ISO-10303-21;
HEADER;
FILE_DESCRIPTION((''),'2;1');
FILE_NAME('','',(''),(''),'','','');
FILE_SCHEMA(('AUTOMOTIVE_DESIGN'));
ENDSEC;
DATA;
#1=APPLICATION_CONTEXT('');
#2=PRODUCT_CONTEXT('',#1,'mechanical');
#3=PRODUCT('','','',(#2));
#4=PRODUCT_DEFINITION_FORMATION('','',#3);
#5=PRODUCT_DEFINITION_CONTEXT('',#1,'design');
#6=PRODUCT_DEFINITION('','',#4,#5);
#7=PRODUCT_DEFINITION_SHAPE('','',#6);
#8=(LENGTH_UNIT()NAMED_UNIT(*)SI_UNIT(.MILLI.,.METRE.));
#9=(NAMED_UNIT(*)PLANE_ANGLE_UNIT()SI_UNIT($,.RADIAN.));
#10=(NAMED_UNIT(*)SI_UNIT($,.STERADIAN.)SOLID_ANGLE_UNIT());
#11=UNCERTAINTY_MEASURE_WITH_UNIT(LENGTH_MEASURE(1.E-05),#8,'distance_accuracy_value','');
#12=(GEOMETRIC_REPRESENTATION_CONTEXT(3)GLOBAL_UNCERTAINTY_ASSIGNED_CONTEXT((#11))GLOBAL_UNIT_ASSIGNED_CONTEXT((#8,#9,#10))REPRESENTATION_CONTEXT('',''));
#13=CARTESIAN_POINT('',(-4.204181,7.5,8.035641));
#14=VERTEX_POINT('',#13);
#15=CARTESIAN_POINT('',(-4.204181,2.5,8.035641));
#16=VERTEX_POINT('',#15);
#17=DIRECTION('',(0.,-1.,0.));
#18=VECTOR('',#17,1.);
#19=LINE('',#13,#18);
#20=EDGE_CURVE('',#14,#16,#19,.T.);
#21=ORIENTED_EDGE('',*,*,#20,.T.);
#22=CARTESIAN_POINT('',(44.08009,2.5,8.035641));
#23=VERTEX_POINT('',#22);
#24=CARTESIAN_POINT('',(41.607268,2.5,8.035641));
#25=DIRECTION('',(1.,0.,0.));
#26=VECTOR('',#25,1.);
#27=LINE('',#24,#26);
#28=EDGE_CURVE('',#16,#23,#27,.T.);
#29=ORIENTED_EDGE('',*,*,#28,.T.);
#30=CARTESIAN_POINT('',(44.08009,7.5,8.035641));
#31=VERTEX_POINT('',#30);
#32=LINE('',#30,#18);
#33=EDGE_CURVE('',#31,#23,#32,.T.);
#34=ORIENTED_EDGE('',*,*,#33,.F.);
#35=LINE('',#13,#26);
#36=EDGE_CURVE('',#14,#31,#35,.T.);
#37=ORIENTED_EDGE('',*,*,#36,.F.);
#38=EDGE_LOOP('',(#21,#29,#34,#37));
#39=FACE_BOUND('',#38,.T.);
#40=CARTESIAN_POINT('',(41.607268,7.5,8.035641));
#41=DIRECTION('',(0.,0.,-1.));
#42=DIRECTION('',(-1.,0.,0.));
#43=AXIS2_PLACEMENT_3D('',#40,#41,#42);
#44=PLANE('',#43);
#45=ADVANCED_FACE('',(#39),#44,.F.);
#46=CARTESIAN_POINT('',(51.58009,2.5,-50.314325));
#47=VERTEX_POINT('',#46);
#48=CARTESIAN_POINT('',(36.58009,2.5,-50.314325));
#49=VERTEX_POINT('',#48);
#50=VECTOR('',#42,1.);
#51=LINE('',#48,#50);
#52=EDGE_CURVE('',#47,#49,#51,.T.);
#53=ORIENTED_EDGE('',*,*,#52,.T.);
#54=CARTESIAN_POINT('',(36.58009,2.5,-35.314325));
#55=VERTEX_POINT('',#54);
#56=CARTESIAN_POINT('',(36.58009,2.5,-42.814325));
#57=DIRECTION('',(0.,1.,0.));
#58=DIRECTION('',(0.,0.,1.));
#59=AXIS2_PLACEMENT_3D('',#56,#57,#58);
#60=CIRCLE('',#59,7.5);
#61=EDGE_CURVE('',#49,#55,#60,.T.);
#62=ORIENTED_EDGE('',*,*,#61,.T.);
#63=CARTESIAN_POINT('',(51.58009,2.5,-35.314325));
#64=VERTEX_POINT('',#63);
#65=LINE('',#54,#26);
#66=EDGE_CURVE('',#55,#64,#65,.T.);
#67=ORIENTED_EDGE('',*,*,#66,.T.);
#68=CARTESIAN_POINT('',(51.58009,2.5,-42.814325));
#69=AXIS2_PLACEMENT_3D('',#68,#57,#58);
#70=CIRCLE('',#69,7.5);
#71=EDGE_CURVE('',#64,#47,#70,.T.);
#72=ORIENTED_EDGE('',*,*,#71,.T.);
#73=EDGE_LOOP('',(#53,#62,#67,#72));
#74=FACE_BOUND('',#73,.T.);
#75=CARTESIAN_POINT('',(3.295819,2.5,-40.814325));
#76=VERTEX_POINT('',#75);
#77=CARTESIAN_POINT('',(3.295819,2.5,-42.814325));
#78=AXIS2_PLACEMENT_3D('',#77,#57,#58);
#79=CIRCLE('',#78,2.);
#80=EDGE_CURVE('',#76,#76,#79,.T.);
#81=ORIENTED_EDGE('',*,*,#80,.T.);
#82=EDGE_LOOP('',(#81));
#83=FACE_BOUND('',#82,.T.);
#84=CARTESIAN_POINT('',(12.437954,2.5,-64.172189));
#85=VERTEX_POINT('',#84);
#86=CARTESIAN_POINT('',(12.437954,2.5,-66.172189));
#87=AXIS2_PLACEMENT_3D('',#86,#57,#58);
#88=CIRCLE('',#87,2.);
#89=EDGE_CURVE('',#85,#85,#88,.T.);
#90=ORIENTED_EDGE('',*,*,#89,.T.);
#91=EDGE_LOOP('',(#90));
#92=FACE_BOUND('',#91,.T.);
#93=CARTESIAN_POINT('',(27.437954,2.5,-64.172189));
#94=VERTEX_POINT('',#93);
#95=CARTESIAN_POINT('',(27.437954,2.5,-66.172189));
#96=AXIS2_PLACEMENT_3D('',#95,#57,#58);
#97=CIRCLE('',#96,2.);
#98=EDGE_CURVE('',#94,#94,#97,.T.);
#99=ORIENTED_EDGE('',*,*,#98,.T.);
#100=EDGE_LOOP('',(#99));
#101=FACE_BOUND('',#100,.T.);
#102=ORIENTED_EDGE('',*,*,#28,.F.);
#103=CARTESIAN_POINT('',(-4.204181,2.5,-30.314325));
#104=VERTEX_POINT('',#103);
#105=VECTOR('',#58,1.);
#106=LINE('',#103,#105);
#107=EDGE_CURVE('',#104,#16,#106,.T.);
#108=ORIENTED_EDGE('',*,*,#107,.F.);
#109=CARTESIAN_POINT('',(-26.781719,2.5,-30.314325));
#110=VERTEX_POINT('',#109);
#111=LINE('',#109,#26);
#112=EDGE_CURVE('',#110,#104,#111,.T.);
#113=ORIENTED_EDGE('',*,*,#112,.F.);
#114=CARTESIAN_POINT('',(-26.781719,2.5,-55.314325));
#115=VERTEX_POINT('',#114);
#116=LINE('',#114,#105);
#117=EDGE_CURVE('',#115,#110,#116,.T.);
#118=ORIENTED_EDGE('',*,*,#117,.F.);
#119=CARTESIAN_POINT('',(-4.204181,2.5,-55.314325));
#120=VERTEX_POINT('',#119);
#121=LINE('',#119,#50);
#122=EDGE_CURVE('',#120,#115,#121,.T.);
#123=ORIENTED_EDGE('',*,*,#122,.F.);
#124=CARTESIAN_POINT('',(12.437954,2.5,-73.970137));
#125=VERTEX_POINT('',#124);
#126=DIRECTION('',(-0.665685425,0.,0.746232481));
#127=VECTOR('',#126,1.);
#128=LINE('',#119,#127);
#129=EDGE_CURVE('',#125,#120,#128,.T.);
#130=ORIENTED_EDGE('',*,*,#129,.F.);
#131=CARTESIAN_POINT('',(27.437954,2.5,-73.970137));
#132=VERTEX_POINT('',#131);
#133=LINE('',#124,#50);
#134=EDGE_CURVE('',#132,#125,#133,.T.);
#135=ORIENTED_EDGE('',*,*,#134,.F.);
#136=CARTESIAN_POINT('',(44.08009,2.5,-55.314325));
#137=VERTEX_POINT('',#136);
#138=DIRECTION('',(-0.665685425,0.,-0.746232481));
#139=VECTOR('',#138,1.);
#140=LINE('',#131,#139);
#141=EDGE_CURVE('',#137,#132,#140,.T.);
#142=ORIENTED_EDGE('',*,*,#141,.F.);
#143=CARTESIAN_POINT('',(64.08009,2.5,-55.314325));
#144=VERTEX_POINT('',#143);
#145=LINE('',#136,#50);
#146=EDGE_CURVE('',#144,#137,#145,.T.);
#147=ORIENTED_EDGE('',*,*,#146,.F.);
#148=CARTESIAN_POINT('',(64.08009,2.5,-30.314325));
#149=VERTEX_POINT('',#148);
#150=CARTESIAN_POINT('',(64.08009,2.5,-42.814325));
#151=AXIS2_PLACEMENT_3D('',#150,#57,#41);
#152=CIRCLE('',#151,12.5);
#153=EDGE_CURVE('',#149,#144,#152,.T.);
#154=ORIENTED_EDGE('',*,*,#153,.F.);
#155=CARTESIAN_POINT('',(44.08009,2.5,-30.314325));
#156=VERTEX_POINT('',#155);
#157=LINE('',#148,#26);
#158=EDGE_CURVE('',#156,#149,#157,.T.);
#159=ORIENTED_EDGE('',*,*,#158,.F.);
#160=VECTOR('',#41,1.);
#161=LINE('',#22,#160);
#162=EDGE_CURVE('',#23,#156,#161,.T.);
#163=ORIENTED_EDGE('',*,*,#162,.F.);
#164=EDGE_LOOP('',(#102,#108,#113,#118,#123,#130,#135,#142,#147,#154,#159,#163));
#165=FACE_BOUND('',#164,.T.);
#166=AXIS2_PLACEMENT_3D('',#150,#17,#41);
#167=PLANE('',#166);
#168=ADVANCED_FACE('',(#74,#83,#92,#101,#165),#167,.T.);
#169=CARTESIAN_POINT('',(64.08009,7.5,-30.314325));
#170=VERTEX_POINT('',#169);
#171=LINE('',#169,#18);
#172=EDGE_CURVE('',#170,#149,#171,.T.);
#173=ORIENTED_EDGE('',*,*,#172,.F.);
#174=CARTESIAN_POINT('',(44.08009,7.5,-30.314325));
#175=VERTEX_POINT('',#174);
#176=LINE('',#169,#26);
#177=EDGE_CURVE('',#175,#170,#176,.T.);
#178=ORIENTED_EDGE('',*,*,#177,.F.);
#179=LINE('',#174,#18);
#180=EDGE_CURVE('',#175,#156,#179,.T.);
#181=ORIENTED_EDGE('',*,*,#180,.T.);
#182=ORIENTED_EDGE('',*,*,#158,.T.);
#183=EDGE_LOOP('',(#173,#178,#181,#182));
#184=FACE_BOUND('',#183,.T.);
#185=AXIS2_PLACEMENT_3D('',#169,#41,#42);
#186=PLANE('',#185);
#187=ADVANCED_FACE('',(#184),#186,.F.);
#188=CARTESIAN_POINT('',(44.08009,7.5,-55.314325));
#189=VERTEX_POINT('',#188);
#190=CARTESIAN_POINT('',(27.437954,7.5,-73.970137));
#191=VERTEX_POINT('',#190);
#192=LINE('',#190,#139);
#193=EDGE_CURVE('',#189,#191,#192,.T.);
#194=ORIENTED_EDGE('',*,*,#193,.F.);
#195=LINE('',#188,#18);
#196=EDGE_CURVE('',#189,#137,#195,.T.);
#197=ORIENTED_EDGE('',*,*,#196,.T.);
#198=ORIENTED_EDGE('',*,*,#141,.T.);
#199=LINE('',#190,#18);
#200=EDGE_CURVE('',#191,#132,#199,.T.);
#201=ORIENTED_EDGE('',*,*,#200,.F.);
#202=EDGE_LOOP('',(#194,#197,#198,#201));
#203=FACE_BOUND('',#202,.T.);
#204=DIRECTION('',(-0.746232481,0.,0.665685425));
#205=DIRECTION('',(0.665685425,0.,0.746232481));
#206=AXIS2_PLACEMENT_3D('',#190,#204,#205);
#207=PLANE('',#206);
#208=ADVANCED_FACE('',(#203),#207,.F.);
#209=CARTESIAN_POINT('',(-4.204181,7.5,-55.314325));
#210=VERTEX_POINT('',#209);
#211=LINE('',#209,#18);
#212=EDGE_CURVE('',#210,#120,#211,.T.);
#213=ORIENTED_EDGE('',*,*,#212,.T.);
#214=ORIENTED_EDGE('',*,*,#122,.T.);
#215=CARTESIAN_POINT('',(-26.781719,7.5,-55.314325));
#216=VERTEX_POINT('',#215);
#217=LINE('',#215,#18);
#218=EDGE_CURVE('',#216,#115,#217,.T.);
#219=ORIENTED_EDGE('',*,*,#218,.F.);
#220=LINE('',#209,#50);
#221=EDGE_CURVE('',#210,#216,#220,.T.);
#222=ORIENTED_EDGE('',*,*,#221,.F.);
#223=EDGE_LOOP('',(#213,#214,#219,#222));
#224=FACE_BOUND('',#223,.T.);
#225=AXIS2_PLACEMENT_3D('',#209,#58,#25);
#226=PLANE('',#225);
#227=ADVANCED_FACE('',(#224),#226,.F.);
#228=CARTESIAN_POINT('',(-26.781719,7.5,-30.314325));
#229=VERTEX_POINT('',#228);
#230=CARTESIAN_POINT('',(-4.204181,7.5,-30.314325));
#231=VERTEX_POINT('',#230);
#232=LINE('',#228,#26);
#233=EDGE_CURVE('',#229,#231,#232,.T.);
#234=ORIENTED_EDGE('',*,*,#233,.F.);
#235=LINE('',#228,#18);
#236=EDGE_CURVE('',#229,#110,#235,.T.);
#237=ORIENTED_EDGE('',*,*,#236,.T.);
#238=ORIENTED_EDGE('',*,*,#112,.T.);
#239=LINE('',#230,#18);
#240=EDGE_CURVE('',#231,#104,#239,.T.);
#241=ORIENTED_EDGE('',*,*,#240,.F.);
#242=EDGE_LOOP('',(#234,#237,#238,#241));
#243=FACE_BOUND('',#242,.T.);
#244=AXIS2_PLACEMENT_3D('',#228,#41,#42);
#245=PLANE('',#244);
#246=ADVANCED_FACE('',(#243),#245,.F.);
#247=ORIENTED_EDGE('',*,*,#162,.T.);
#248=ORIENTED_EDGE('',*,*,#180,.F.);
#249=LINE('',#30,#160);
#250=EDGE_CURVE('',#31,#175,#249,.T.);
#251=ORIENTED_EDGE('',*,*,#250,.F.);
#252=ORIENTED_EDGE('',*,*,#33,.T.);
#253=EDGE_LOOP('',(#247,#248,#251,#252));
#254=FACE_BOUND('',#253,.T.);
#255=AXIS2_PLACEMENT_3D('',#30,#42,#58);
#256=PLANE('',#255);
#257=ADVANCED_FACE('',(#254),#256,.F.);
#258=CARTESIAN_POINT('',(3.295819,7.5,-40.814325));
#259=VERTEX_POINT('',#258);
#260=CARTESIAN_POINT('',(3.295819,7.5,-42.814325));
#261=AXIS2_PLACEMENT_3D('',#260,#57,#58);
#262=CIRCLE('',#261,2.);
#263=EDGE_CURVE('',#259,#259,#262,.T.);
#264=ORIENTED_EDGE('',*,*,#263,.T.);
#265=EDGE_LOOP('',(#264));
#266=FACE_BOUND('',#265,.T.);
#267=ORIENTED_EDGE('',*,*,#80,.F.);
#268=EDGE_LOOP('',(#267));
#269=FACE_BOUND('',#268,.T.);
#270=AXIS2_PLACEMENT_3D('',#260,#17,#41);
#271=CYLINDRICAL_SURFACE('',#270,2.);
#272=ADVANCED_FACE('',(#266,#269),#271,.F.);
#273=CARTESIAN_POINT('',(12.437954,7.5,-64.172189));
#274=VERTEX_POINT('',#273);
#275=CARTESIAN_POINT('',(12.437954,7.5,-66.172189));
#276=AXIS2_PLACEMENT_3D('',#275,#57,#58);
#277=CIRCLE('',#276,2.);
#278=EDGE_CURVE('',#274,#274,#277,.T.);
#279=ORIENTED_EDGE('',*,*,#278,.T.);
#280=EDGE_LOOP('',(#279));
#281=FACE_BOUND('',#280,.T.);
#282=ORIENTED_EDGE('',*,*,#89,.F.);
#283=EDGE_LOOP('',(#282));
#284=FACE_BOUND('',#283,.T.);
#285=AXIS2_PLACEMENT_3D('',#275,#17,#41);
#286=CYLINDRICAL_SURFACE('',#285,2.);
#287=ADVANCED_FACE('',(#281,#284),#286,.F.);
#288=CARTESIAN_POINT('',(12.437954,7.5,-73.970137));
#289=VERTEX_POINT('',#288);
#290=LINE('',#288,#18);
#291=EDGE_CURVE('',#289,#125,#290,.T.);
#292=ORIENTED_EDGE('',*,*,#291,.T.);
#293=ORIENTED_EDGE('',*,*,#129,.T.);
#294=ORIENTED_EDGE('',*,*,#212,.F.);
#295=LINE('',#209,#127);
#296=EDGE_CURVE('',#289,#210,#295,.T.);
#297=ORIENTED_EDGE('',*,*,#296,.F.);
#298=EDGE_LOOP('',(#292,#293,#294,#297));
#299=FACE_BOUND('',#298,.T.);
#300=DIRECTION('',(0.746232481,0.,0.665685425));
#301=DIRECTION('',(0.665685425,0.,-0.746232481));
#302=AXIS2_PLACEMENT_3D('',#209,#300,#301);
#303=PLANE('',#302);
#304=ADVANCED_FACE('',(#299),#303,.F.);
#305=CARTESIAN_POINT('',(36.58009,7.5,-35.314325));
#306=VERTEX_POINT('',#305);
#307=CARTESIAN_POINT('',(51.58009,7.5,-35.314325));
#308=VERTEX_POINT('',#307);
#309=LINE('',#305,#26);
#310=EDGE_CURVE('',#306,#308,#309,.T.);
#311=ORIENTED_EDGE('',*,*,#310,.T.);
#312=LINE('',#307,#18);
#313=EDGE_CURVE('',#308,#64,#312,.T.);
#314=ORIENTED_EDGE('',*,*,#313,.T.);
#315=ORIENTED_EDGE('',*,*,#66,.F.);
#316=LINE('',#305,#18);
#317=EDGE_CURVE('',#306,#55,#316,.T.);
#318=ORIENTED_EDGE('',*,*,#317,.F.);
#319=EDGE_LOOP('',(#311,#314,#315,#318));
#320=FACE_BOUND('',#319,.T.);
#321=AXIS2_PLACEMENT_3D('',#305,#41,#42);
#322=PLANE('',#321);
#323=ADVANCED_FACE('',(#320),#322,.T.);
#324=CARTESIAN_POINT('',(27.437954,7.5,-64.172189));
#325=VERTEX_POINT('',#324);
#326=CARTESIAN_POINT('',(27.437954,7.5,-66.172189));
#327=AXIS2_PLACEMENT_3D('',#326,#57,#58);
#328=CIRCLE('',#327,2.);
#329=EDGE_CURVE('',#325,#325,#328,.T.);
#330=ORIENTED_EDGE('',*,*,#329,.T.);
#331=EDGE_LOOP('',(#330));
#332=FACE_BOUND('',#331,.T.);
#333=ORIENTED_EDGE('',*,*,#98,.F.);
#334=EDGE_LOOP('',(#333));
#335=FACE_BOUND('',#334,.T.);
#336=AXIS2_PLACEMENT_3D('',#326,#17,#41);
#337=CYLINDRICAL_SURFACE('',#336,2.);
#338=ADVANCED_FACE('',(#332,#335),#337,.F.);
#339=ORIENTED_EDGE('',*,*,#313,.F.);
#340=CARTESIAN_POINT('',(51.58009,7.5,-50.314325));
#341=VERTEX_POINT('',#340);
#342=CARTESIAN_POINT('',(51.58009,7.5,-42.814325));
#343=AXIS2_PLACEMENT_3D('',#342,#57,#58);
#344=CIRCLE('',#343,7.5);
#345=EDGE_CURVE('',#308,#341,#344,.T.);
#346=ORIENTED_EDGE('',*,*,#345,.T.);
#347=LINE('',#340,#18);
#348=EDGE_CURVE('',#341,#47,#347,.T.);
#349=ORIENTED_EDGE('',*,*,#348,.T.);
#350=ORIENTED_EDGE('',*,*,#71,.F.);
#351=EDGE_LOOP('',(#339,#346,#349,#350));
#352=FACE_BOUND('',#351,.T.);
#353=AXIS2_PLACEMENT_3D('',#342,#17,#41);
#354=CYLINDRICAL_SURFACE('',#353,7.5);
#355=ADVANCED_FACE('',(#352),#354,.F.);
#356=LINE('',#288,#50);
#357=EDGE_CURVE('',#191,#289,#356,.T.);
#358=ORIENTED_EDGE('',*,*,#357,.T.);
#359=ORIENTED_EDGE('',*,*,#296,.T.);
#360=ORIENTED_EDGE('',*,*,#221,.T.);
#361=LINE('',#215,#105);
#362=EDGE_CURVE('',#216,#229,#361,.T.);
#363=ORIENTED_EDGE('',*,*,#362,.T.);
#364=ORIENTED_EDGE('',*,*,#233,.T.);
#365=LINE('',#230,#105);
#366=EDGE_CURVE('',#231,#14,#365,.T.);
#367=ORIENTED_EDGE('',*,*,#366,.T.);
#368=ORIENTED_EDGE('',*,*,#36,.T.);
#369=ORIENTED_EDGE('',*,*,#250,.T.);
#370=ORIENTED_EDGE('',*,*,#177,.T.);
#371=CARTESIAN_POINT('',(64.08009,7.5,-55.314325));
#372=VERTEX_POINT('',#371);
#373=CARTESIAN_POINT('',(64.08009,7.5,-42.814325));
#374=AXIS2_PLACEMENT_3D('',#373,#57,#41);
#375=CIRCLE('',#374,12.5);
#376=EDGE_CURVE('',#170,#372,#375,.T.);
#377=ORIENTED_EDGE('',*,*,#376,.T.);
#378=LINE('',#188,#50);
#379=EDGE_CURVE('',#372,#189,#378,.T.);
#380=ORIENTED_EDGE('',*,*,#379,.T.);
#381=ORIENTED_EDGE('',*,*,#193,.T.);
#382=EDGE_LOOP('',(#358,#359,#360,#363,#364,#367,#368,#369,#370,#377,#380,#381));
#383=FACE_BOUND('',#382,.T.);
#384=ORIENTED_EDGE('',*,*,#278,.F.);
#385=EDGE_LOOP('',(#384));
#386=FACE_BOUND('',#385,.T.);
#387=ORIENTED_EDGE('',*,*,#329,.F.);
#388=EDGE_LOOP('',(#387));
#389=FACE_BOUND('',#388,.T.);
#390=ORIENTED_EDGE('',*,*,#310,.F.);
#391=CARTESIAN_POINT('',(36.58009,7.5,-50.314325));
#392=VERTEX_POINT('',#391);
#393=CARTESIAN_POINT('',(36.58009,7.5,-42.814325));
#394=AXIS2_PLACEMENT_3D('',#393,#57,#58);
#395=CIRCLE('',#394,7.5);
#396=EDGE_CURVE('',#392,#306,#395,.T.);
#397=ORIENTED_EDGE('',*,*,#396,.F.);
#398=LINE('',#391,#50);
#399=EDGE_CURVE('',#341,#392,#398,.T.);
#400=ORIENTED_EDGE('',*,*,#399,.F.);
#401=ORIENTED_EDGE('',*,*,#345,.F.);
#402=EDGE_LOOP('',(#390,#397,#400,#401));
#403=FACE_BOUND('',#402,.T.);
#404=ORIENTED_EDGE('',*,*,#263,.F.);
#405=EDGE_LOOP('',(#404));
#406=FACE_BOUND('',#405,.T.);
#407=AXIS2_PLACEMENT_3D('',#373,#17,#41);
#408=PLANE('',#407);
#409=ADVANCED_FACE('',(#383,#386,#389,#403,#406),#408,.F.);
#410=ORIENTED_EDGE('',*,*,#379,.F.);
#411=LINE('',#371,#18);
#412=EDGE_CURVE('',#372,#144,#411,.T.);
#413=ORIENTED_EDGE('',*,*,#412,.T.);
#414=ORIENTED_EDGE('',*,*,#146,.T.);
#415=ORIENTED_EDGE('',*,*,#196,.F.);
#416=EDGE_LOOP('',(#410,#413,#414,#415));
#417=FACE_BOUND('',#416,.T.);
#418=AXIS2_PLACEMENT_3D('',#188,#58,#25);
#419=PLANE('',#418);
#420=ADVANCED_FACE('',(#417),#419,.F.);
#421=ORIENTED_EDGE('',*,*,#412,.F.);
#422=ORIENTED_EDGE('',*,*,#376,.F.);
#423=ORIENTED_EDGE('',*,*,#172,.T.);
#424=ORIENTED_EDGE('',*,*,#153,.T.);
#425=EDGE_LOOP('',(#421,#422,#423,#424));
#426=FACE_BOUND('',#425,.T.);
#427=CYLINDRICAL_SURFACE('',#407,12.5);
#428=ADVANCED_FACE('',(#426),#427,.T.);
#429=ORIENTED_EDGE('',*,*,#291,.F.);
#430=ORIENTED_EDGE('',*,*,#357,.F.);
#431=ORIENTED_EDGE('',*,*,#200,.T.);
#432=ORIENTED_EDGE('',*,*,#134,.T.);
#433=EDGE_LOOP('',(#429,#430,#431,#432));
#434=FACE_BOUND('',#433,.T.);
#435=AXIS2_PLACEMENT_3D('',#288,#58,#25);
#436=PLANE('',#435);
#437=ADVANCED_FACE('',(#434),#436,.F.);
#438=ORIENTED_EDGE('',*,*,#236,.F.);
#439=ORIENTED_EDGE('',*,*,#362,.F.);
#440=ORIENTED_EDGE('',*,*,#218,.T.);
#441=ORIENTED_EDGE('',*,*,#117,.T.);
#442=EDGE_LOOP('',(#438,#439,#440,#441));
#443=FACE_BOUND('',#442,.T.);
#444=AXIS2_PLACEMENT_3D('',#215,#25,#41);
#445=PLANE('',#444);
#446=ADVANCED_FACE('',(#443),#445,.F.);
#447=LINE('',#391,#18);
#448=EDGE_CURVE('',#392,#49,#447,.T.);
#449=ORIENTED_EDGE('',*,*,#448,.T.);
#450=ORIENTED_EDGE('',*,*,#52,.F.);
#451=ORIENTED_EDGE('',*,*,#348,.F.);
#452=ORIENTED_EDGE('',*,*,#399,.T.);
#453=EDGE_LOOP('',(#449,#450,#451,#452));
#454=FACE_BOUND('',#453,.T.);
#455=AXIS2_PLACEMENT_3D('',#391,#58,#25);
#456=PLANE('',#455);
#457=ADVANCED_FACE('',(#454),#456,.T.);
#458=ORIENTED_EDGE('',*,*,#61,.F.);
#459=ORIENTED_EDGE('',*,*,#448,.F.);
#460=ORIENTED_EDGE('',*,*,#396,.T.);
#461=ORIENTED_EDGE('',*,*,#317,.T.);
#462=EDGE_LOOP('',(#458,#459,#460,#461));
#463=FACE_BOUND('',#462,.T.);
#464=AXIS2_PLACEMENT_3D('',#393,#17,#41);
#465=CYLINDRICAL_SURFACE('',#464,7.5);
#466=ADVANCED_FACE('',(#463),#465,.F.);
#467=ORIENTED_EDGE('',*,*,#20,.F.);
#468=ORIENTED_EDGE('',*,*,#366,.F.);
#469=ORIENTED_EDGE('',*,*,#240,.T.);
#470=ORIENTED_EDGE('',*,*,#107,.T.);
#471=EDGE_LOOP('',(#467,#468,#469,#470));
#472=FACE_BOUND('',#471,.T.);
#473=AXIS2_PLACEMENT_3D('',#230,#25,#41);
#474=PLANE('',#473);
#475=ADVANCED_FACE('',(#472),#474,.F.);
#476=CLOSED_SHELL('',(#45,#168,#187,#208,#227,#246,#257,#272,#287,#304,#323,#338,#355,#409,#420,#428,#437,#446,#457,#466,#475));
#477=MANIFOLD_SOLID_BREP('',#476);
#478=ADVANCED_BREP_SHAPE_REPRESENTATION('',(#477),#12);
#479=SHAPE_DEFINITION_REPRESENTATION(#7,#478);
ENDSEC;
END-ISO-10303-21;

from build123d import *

# Parameters (mm, degrees)
SKETCH1_R           = 4
BOSS_EXTRUDE1_DEPTH = 10
SCALE1_SCALE        = 0.5


with BuildPart() as part:
    # Sketch1 → Boss-Extrude1 (new body)
    with BuildSketch(Plane(origin=(0, 0, 0), x_dir=(1, 0, 0), z_dir=(0, 1, 0))):
        with BuildLine():
            Line((-28.284271247, 28.284271247), (-28.284271247, -48.415659381))
            Line((-28.284271247, -48.415659381), (63.338627893, -48.415659381))
            Line((63.338627893, -48.415659381), (68.284271247, -48.415659381))
            Line((68.284271247, -48.415659381), (68.284271247, 28.284271247))
            Line((68.284271247, 28.284271247), (108.284271247, 28.284271247))
            ThreePointArc((108.284271247, 28.284271247), (133.284271247, 53.284271247), (108.284271247, 78.284271247))
            Line((108.284271247, 78.284271247), (68.284271247, 78.284271247))
            Line((68.284271247, 78.284271247), (35, 115.595895274))
            Line((35, 115.595895274), (5, 115.595895274))
            Line((5, 115.595895274), (-28.284271247, 78.284271247))
            Line((-28.284271247, 78.284271247), (-73.439346791, 78.284271247))
            Line((-73.439346791, 78.284271247), (-73.439346791, 28.284271247))
            Line((-73.439346791, 28.284271247), (-28.284271247, 28.284271247))
        make_face()
        with Locations((5, 100)):
            Circle(SKETCH1_R, mode=Mode.SUBTRACT)
        with Locations((35, 100)):
            Circle(SKETCH1_R, mode=Mode.SUBTRACT)
        with Locations((-13.284271247, 53.284271247)):
            Circle(SKETCH1_R, mode=Mode.SUBTRACT)
        with BuildLine():
            Line((53.284271247, 68.284271247), (83.284271247, 68.284271247))
            ThreePointArc((83.284271247, 68.284271247), (98.284271247, 53.284271247), (83.284271247, 38.284271247))
            Line((83.284271247, 38.284271247), (53.284271247, 38.284271247))
            ThreePointArc((53.284271247, 38.284271247), (38.284271247, 53.284271247), (53.284271247, 68.284271247))
        make_face(mode=Mode.SUBTRACT)
    extrude(amount=BOSS_EXTRUDE1_DEPTH)


with BuildPart() as part_1:
    # Scale1: scaled about (19.875908693, 5, -32.344377814)
    add(part.part.scale(SCALE1_SCALE).moved(Location((9.937954346, 2.5, -16.172188907))))


solid = part_1.part
